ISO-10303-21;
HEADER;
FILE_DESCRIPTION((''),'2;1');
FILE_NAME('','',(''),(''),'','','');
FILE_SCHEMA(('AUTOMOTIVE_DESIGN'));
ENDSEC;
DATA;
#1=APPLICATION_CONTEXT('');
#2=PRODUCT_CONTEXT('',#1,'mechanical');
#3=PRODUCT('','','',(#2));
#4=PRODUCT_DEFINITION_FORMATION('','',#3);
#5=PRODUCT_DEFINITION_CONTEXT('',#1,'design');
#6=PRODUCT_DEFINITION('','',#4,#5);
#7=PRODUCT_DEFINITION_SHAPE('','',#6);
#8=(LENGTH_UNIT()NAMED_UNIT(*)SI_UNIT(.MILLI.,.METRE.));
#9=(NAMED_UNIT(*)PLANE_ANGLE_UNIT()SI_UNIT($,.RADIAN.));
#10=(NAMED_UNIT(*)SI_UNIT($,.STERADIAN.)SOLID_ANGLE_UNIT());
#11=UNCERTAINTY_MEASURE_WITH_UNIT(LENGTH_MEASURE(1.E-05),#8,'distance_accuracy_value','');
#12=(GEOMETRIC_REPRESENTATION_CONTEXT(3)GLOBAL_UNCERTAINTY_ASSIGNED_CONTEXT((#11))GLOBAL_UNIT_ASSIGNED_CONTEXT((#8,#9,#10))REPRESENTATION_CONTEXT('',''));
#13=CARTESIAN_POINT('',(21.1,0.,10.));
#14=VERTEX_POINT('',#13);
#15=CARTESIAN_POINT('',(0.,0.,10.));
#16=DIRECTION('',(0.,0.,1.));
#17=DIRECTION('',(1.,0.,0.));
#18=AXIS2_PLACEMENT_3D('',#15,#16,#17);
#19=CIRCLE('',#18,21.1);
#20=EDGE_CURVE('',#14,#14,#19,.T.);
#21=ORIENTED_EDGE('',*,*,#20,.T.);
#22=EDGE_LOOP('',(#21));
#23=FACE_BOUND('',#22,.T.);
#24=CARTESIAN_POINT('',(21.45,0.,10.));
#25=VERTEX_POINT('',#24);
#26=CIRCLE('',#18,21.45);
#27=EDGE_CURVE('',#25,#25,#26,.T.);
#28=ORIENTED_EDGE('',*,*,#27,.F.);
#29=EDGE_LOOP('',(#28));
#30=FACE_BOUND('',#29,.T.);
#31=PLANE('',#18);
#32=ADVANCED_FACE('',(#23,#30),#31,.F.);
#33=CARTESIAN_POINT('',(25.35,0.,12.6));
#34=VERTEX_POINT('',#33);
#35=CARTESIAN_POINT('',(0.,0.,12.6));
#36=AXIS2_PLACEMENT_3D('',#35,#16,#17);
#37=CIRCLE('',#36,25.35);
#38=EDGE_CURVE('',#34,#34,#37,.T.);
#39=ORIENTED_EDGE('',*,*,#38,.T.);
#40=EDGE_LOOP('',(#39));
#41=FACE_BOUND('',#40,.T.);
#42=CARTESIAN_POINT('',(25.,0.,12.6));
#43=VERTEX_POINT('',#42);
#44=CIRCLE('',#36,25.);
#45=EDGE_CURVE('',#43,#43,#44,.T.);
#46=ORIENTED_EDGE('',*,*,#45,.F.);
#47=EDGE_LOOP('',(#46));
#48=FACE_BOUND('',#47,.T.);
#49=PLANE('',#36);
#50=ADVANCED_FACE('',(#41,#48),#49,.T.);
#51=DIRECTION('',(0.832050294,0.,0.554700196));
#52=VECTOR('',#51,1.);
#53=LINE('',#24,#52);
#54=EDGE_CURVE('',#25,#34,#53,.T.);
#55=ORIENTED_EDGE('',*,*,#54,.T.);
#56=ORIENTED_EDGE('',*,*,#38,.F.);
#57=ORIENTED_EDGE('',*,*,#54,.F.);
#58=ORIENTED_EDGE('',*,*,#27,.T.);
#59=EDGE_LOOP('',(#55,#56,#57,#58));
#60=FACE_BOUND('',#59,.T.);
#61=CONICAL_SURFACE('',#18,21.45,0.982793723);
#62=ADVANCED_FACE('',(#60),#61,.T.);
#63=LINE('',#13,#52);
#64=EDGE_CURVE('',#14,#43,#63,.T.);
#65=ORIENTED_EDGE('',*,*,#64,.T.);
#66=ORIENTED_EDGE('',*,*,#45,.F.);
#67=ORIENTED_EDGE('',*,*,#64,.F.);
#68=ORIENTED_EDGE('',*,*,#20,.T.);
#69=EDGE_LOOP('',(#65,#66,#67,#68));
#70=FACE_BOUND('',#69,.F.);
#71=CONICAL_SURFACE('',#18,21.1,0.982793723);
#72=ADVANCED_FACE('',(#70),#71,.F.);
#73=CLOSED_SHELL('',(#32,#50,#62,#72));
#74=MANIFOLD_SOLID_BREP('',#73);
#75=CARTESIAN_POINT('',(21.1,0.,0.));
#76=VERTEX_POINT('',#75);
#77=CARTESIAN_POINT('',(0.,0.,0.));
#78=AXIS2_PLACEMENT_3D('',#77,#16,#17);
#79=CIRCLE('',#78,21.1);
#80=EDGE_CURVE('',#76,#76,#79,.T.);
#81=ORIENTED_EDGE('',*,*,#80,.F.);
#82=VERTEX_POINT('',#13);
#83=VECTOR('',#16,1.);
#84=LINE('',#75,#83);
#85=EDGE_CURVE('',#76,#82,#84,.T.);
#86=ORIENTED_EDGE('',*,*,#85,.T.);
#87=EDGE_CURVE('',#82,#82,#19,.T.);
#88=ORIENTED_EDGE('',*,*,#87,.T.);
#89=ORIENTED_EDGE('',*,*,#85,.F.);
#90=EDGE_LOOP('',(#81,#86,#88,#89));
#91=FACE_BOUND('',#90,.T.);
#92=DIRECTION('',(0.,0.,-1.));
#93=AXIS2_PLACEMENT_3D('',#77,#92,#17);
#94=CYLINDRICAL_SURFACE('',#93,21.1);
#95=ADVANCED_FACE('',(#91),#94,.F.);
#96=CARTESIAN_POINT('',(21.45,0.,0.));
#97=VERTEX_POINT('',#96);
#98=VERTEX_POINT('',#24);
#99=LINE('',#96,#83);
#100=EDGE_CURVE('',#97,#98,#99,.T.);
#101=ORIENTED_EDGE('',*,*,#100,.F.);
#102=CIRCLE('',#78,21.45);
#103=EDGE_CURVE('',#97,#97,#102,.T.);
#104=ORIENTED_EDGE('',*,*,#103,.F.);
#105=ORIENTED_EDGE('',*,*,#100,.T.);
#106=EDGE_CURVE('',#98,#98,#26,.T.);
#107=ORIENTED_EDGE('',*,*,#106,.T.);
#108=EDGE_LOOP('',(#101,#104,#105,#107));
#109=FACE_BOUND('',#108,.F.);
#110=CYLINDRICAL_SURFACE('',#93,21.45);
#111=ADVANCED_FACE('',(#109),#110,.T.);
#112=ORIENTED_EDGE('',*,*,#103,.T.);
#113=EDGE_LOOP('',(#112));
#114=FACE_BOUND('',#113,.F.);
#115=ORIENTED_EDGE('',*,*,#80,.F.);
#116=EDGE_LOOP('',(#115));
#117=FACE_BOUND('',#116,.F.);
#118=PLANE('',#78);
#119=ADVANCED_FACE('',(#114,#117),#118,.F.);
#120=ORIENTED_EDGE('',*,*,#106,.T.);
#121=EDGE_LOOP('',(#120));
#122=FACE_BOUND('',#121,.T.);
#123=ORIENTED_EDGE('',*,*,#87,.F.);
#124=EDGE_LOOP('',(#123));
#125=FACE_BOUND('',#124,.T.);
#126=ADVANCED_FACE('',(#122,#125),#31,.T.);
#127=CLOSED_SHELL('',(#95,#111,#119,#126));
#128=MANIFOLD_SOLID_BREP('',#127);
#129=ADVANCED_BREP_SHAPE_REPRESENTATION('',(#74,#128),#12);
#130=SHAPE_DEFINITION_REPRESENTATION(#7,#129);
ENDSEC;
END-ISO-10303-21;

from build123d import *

# Parameters (mm, degrees)
CYLINDER001_R     = 21.1
CYLINDER001_DEPTH = 10
CYLINDER_R        = 21.45
CYLINDER_DEPTH    = 10


with BuildPart() as cylinder001:
    # Cylinder001 → Cylinder001 (new body)
    with BuildSketch(Plane.XY):
        Circle(CYLINDER001_R)
    extrude(amount=CYLINDER001_DEPTH)


with BuildPart() as cut:
    # Cylinder → Cylinder (new body)
    with BuildSketch(Plane.XY):
        Circle(CYLINDER_R)
    extrude(amount=CYLINDER_DEPTH)

    # Cut: cut Cylinder001
    add(cylinder001.part, mode=Mode.SUBTRACT)


with BuildPart() as cone001:
    # Cone001 → Cone001 (revolve)
    with BuildSketch(Plane(origin=(0, 0, 10), x_dir=(1, 0, 0), z_dir=(0, -1, 0))):
        Polygon((0, 0), (21.1, 0), (25, 2.6), (0, 2.6), align=None)
    revolve(axis=Axis((0, 0, 10), (0, 0, 1)))


with BuildPart() as cut001:
    # Cone → Cone (revolve)
    with BuildSketch(Plane(origin=(0, 0, 10), x_dir=(1, 0, 0), z_dir=(0, -1, 0))):
        Polygon((0, 0), (21.45, 0), (25.35, 2.6), (0, 2.6), align=None)
    revolve(axis=Axis((0, 0, 10), (0, 0, 1)))

    # Cut001: cut Cone001
    add(cone001.part, mode=Mode.SUBTRACT)


solid = Compound([cut.part, cut001.part])
